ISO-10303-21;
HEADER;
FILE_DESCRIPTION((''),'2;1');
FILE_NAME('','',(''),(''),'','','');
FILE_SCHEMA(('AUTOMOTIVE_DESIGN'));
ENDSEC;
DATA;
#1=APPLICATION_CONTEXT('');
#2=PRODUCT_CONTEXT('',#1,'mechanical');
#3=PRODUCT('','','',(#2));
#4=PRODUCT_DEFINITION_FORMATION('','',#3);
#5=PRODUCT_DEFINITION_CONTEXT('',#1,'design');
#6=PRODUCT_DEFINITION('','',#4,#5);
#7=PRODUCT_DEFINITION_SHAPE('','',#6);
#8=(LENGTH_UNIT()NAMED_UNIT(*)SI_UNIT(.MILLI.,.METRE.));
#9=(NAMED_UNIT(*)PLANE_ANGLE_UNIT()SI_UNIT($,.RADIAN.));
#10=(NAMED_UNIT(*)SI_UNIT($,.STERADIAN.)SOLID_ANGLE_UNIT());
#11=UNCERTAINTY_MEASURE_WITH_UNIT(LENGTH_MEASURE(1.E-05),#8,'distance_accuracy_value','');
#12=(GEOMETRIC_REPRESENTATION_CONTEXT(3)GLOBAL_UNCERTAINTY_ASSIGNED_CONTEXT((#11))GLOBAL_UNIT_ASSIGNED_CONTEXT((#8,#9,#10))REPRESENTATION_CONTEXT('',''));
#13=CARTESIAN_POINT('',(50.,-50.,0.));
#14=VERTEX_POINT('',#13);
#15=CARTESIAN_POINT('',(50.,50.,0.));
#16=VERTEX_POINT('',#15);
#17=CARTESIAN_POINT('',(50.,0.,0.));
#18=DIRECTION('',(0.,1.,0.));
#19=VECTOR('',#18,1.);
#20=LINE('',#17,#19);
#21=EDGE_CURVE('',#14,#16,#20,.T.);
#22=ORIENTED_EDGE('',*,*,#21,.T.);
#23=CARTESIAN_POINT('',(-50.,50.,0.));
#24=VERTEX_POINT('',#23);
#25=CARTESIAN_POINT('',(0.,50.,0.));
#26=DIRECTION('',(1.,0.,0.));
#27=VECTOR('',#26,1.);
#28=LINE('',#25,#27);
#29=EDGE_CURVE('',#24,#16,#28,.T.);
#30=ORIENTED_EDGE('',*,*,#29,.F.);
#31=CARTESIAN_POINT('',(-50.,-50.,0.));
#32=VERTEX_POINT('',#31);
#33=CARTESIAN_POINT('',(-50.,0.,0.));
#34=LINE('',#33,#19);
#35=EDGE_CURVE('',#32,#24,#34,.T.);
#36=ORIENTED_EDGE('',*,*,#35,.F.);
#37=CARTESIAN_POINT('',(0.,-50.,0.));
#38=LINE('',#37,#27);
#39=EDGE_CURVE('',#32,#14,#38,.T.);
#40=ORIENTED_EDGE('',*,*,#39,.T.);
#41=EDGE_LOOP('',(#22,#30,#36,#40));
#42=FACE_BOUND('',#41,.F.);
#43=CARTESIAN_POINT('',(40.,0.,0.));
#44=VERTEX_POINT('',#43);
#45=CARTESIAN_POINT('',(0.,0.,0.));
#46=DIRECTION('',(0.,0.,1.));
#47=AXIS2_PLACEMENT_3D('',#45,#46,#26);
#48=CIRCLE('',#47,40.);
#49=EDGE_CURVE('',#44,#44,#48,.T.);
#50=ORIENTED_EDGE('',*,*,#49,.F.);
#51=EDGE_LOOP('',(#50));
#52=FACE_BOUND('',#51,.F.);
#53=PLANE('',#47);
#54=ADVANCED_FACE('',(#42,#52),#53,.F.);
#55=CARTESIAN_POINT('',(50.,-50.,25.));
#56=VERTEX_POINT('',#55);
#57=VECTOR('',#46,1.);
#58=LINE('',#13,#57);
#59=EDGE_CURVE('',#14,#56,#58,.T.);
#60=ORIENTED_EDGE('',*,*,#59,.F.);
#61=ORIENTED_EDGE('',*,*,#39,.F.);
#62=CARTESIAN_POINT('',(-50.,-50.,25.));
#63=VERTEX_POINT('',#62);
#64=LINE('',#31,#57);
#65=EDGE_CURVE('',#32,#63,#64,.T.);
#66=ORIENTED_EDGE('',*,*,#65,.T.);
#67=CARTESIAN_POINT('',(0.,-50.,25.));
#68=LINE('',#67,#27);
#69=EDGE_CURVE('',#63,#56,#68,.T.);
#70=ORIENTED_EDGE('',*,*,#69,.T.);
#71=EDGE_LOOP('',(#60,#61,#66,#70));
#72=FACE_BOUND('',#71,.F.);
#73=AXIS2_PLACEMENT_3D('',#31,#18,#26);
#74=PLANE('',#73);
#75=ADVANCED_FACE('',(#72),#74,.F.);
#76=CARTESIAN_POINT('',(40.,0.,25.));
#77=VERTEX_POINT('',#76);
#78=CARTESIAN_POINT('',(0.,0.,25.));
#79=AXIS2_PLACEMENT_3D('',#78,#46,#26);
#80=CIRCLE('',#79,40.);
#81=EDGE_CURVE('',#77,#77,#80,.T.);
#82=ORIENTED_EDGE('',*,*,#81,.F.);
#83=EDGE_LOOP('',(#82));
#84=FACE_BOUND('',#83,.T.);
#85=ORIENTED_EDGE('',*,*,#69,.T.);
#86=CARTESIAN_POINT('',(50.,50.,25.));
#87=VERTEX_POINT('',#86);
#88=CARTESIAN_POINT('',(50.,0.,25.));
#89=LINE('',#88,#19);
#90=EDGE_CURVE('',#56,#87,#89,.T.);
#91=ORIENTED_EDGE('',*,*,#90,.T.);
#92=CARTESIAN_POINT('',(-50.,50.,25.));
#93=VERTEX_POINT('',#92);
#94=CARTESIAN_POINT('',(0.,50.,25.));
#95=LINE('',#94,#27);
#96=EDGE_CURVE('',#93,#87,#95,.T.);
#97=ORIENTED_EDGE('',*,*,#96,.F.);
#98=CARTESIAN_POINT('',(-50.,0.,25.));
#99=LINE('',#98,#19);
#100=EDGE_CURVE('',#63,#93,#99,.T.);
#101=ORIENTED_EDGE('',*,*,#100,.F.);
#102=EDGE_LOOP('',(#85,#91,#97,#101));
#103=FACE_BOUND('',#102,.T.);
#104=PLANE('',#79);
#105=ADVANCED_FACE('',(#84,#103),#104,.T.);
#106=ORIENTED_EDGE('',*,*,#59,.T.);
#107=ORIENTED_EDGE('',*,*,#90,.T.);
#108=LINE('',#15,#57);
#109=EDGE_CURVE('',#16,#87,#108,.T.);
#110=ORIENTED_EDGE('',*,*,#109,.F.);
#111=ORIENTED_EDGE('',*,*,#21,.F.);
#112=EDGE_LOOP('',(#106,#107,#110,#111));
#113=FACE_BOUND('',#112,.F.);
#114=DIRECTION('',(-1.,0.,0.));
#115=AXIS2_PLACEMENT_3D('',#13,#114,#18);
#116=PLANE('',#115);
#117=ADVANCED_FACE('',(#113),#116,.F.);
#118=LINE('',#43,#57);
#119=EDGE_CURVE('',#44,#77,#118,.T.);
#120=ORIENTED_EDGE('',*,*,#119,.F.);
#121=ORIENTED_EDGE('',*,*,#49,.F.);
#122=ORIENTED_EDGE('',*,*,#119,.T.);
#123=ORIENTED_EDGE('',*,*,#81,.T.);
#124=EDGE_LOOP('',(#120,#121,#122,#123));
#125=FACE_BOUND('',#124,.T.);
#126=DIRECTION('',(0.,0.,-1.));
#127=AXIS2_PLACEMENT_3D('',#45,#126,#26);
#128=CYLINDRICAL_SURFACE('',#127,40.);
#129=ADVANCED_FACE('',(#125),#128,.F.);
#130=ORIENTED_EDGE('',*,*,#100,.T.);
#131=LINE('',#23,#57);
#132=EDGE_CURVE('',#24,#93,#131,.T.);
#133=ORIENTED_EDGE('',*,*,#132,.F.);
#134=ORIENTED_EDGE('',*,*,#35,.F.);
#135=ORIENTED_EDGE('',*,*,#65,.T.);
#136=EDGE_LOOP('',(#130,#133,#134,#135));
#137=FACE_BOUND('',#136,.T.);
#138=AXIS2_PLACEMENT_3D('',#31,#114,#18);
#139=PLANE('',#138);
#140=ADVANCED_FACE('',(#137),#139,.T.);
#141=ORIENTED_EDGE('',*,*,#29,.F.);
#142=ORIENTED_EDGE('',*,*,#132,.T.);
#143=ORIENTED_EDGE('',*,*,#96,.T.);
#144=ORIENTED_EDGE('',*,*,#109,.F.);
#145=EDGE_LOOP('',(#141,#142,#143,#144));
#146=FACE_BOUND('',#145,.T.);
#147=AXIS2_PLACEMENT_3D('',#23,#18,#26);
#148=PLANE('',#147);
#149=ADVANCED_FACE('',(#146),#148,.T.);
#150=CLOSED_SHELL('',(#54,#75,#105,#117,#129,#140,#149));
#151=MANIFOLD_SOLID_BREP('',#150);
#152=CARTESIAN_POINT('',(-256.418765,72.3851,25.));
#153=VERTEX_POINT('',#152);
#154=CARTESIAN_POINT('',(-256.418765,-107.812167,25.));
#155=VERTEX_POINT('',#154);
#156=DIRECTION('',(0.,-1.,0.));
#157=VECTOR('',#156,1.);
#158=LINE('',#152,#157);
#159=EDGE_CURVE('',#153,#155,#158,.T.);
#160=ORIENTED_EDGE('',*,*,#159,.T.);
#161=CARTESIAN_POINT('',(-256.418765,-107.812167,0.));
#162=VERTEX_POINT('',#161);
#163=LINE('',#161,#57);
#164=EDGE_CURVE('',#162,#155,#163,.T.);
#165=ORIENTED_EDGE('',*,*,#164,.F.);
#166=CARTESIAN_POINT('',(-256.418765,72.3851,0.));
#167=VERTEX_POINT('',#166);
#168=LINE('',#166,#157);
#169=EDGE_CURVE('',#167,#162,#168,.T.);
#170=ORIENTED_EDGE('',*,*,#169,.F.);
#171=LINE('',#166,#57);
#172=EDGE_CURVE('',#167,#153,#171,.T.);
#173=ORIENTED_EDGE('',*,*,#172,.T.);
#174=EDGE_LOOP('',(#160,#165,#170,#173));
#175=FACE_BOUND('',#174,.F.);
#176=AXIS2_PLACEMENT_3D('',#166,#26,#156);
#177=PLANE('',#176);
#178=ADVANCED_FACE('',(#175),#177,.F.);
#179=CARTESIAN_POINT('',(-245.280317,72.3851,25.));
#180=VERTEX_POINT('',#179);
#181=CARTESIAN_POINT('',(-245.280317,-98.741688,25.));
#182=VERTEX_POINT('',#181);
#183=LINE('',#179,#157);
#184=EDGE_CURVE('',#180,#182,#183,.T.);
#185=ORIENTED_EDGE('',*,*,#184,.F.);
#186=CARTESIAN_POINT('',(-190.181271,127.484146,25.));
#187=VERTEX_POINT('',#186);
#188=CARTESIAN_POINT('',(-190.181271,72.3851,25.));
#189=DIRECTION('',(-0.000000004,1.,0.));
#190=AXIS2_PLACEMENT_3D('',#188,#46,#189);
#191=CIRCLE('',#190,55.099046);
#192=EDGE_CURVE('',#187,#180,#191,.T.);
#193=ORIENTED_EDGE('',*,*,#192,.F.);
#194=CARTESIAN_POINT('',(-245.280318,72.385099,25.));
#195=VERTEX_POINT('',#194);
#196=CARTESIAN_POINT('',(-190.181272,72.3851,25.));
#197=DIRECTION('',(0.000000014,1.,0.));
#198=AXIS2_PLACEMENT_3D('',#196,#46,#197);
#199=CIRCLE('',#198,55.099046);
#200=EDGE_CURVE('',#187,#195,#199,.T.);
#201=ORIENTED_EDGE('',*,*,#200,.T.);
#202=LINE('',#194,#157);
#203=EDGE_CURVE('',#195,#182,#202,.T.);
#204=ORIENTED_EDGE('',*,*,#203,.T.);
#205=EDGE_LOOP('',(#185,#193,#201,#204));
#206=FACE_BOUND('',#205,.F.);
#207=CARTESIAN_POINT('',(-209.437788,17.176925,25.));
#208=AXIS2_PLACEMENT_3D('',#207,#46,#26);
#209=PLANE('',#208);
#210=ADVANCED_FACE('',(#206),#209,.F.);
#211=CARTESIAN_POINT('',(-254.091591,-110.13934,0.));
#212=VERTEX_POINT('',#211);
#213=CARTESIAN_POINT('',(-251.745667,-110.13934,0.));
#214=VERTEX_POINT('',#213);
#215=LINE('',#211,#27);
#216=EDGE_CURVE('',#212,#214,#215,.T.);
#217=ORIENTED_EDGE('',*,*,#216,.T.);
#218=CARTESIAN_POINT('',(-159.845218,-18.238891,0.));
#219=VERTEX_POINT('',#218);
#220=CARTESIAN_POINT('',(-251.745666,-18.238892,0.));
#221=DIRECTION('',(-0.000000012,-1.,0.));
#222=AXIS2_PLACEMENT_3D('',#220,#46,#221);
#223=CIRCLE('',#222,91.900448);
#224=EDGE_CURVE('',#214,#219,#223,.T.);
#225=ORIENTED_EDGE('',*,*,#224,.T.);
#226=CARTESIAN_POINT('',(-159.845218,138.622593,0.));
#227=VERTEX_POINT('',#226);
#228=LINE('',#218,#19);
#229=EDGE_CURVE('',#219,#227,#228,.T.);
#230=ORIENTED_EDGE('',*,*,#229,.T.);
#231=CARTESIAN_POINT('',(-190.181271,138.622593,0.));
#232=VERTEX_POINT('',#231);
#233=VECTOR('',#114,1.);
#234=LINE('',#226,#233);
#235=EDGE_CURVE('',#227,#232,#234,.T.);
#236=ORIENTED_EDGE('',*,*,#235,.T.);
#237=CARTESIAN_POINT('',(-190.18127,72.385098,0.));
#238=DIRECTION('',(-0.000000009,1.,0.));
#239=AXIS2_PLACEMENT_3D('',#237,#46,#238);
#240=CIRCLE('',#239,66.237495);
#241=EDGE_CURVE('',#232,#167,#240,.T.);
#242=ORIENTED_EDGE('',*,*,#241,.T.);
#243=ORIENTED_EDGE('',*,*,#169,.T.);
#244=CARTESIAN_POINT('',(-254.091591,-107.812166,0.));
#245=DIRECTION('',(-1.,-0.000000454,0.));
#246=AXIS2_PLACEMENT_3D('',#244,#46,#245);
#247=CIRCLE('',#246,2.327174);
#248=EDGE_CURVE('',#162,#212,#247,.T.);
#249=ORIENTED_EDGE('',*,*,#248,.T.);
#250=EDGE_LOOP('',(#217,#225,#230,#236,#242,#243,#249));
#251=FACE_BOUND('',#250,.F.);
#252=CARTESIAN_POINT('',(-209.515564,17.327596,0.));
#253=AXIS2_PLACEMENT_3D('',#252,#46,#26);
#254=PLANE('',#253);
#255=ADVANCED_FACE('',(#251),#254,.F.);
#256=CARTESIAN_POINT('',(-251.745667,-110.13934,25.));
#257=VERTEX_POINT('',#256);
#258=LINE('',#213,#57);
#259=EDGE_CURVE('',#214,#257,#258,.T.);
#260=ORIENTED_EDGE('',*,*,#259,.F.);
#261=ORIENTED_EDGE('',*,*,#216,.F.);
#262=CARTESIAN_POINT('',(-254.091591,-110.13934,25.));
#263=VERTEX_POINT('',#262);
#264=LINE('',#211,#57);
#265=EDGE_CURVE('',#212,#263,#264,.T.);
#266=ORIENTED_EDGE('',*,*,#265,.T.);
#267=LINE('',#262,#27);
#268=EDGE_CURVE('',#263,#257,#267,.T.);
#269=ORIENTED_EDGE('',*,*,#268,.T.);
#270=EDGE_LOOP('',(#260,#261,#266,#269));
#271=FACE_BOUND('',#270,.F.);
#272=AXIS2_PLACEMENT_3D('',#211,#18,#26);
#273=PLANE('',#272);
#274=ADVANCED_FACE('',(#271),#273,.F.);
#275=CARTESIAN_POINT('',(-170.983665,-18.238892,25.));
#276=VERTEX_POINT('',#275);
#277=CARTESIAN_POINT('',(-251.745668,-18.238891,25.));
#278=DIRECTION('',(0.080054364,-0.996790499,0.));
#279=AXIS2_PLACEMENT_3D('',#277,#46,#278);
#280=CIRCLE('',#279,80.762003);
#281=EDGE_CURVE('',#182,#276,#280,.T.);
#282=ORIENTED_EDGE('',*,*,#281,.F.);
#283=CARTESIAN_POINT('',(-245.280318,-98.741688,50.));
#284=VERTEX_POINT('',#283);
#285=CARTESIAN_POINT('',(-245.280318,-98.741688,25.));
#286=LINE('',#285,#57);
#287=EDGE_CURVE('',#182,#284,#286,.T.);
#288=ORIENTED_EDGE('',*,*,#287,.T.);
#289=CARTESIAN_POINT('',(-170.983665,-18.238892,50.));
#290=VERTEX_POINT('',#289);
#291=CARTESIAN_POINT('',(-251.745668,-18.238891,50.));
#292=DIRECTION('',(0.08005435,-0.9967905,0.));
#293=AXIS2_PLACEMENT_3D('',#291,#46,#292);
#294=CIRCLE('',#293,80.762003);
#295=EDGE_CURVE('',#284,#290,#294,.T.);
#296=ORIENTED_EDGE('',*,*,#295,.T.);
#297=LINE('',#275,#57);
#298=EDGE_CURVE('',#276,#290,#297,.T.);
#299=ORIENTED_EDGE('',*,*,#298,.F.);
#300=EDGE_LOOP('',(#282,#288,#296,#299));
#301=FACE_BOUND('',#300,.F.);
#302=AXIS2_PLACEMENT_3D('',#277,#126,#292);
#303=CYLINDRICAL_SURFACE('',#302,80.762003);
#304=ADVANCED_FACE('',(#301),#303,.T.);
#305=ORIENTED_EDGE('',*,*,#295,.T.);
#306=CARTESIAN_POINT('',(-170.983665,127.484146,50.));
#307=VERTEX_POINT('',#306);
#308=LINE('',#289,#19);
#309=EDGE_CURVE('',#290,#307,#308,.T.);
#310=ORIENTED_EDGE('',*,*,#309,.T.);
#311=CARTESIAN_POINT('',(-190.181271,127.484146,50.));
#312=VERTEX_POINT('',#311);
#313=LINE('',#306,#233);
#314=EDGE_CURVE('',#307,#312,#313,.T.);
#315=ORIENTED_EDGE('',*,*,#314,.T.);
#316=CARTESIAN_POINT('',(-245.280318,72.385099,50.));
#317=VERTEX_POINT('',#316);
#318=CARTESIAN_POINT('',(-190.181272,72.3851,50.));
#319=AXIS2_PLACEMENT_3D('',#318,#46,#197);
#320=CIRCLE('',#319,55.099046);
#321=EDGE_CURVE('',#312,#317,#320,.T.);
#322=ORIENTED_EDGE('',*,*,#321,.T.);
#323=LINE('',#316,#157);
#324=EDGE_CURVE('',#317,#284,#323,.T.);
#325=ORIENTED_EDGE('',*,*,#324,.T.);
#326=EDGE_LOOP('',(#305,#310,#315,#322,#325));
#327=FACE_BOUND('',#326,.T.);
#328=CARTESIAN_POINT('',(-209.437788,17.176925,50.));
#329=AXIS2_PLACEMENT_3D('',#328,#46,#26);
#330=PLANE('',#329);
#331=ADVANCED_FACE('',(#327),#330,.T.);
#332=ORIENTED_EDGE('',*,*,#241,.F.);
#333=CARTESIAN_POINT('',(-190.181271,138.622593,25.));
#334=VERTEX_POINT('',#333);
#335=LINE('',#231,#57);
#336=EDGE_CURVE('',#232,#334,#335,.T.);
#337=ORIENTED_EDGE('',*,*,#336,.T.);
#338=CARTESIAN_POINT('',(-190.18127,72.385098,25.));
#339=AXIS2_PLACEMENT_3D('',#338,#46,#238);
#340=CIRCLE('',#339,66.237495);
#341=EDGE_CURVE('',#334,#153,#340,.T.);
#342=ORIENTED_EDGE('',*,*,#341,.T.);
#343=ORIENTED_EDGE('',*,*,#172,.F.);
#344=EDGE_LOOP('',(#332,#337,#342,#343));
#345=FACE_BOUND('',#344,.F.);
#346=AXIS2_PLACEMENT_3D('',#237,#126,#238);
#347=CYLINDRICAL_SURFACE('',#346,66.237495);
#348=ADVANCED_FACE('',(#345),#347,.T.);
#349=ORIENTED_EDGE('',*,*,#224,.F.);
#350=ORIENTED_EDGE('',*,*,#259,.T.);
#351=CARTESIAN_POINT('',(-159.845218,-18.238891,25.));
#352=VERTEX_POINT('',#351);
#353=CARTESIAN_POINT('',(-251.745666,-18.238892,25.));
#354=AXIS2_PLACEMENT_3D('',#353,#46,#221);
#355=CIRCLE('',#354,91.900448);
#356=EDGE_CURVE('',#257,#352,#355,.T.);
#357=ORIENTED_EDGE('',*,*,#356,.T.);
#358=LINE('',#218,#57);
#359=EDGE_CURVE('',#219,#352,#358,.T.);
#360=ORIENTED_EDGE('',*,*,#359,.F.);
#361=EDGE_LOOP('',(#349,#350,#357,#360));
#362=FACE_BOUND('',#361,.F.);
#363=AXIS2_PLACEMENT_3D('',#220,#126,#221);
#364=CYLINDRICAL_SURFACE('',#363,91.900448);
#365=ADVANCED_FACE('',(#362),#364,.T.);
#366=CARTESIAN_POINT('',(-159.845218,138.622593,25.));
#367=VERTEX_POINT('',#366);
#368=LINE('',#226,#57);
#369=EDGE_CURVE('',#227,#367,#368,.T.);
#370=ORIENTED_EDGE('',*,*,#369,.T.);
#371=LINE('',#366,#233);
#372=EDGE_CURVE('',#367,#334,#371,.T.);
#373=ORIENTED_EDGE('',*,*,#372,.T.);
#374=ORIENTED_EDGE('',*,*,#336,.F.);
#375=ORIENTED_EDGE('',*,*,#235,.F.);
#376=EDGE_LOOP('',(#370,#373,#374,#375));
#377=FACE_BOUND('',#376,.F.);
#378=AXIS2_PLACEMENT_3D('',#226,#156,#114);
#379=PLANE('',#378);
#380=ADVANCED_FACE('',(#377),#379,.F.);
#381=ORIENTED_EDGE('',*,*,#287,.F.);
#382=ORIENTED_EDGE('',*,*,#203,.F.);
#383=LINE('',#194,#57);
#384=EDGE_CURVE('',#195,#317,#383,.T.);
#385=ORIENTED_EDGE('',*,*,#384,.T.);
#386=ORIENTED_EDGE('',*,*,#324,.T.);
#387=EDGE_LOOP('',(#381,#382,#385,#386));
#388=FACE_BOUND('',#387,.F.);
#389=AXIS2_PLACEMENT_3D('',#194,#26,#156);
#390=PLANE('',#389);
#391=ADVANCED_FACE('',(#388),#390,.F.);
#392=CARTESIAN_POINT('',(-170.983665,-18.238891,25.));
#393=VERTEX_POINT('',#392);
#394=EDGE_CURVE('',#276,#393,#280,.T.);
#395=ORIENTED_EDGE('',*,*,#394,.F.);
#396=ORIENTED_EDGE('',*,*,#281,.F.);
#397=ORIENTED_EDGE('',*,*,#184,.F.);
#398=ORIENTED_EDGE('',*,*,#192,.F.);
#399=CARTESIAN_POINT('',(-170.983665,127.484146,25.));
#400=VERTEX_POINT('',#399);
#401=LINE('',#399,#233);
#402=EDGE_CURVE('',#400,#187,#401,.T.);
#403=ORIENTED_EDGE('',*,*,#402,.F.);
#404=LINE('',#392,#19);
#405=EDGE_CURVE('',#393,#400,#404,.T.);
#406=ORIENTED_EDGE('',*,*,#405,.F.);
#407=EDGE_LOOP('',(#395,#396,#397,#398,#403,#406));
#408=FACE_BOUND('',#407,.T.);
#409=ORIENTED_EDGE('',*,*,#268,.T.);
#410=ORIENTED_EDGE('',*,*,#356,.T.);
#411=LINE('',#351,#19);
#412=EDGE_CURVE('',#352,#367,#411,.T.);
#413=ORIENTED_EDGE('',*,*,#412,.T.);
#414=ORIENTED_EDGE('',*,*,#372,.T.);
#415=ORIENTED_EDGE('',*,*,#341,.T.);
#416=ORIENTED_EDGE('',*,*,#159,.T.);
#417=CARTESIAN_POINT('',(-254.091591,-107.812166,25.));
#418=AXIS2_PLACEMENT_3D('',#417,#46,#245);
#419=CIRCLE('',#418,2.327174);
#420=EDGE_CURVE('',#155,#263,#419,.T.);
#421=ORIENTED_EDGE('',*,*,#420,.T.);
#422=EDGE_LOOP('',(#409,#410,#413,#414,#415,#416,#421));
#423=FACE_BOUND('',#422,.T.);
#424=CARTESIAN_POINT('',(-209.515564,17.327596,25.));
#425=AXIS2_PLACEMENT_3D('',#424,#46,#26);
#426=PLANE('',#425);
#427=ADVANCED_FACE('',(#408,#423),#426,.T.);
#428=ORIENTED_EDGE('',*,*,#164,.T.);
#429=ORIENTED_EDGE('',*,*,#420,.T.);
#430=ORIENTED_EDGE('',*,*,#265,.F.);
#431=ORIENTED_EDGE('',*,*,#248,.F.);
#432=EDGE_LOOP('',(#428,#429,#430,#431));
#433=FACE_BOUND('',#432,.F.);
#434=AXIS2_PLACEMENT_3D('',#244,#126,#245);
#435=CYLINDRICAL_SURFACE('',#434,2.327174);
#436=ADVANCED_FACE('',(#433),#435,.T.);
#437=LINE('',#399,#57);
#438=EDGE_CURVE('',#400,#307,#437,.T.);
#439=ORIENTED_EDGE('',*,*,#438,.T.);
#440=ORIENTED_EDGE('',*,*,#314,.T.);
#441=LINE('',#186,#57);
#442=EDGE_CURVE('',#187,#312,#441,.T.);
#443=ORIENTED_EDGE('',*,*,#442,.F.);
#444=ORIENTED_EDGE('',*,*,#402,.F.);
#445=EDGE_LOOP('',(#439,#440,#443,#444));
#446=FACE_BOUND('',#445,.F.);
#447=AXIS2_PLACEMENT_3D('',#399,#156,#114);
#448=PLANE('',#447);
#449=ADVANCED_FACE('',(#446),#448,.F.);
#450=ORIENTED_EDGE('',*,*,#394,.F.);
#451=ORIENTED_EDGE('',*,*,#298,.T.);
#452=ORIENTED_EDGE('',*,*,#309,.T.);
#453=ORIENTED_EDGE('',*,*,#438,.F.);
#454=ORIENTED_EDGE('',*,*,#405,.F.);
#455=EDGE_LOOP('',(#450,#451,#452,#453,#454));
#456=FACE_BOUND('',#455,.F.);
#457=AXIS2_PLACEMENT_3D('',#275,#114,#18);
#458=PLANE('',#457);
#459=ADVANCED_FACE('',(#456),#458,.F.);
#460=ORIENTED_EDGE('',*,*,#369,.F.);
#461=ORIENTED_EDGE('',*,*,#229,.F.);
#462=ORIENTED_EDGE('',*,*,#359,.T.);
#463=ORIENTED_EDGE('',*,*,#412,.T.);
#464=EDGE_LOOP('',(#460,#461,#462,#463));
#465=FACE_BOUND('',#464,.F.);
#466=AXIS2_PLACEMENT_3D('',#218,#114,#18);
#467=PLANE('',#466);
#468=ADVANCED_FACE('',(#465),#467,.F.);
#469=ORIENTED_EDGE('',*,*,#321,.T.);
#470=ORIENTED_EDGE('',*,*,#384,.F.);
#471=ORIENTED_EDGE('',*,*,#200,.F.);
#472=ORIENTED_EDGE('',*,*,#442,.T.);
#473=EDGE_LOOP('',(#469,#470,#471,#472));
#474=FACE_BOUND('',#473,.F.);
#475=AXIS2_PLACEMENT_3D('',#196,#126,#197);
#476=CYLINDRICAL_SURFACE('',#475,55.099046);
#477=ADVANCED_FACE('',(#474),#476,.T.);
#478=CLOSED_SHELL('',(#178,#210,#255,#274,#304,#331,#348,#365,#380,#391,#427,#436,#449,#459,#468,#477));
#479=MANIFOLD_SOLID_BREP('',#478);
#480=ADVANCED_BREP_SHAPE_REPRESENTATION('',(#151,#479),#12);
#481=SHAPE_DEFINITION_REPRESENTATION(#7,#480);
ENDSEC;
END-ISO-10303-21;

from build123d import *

# Parameters (mm, degrees)
F1_DEPTH = 25
F0_W     = 100
F0_H     = 100
F0_R     = 40
F2_DEPTH = 25


with BuildPart() as f1:
    # F0 (on Top) → F1 (new body)
    with BuildSketch(Plane.XY):
        with BuildLine():
            Line((-245.280317, 72.3851), (-245.280317, -98.741688))
            ThreePointArc((-245.280317, -98.741688), (-192.396465, -73.012728), (-170.983665, -18.238891))
            Line((-170.983665, -18.238891), (-170.983665, 127.484146))
            Line((-170.983665, 127.484146), (-190.181271, 127.484146))
            ThreePointArc((-190.181271, 127.484146), (-229.14218, 111.346009), (-245.280317, 72.3851))
        make_face()
    extrude(amount=F1_DEPTH)

    # F0 (on Top) + F1_face (on face) → F2 (join)
    with BuildSketch(Plane.XY):
        Rectangle(F0_W, F0_H)
        Circle(F0_R, mode=Mode.SUBTRACT)
        with BuildLine():
            Line((-254.091591, -110.13934), (-251.745667, -110.13934))
            ThreePointArc((-251.745667, -110.13934), (-186.762236, -83.222322), (-159.845218, -18.238891))
            Line((-159.845218, -18.238891), (-159.845218, 138.622593))
            Line((-159.845218, 138.622593), (-190.181271, 138.622593))
            ThreePointArc((-190.181271, 138.622593), (-237.018252, 119.22208), (-256.418765, 72.3851))
            Line((-256.418765, 72.3851), (-256.418765, -107.812167))
            ThreePointArc((-256.418765, -107.812167), (-255.737151, -109.457727), (-254.091591, -110.13934))
        make_face()
        with BuildLine():
            ThreePointArc((-170.983665, -18.238891), (-192.396465, -73.012728), (-245.280317, -98.741688))
            Line((-245.280317, -98.741688), (-245.280317, 72.3851))
            ThreePointArc((-245.280317, 72.3851), (-229.14218, 111.346009), (-190.181271, 127.484146))
            Line((-190.181271, 127.484146), (-170.983665, 127.484146))
            Line((-170.983665, 127.484146), (-170.983665, -18.238891))
        make_face(mode=Mode.SUBTRACT)
    with BuildSketch(Plane(origin=(-208.848316, 18.805382, 25), x_dir=(1, 0, 0), z_dir=(0, 0, 1))):
        with BuildLine():
            Line((37.864651, -37.044274), (37.864651, 108.678764))
            Line((37.864651, 108.678764), (18.667045, 108.678764))
            ThreePointArc((18.667045, 108.678764), (-20.293865, 92.540627), (-36.432002, 53.579717))
            Line((-36.432002, 53.579717), (-36.432002, -117.54707))
            ThreePointArc((-36.432002, -117.54707), (16.451851, -91.81811), (37.864651, -37.044274))
        make_face()
    extrude(amount=F2_DEPTH)


solid = f1.part
